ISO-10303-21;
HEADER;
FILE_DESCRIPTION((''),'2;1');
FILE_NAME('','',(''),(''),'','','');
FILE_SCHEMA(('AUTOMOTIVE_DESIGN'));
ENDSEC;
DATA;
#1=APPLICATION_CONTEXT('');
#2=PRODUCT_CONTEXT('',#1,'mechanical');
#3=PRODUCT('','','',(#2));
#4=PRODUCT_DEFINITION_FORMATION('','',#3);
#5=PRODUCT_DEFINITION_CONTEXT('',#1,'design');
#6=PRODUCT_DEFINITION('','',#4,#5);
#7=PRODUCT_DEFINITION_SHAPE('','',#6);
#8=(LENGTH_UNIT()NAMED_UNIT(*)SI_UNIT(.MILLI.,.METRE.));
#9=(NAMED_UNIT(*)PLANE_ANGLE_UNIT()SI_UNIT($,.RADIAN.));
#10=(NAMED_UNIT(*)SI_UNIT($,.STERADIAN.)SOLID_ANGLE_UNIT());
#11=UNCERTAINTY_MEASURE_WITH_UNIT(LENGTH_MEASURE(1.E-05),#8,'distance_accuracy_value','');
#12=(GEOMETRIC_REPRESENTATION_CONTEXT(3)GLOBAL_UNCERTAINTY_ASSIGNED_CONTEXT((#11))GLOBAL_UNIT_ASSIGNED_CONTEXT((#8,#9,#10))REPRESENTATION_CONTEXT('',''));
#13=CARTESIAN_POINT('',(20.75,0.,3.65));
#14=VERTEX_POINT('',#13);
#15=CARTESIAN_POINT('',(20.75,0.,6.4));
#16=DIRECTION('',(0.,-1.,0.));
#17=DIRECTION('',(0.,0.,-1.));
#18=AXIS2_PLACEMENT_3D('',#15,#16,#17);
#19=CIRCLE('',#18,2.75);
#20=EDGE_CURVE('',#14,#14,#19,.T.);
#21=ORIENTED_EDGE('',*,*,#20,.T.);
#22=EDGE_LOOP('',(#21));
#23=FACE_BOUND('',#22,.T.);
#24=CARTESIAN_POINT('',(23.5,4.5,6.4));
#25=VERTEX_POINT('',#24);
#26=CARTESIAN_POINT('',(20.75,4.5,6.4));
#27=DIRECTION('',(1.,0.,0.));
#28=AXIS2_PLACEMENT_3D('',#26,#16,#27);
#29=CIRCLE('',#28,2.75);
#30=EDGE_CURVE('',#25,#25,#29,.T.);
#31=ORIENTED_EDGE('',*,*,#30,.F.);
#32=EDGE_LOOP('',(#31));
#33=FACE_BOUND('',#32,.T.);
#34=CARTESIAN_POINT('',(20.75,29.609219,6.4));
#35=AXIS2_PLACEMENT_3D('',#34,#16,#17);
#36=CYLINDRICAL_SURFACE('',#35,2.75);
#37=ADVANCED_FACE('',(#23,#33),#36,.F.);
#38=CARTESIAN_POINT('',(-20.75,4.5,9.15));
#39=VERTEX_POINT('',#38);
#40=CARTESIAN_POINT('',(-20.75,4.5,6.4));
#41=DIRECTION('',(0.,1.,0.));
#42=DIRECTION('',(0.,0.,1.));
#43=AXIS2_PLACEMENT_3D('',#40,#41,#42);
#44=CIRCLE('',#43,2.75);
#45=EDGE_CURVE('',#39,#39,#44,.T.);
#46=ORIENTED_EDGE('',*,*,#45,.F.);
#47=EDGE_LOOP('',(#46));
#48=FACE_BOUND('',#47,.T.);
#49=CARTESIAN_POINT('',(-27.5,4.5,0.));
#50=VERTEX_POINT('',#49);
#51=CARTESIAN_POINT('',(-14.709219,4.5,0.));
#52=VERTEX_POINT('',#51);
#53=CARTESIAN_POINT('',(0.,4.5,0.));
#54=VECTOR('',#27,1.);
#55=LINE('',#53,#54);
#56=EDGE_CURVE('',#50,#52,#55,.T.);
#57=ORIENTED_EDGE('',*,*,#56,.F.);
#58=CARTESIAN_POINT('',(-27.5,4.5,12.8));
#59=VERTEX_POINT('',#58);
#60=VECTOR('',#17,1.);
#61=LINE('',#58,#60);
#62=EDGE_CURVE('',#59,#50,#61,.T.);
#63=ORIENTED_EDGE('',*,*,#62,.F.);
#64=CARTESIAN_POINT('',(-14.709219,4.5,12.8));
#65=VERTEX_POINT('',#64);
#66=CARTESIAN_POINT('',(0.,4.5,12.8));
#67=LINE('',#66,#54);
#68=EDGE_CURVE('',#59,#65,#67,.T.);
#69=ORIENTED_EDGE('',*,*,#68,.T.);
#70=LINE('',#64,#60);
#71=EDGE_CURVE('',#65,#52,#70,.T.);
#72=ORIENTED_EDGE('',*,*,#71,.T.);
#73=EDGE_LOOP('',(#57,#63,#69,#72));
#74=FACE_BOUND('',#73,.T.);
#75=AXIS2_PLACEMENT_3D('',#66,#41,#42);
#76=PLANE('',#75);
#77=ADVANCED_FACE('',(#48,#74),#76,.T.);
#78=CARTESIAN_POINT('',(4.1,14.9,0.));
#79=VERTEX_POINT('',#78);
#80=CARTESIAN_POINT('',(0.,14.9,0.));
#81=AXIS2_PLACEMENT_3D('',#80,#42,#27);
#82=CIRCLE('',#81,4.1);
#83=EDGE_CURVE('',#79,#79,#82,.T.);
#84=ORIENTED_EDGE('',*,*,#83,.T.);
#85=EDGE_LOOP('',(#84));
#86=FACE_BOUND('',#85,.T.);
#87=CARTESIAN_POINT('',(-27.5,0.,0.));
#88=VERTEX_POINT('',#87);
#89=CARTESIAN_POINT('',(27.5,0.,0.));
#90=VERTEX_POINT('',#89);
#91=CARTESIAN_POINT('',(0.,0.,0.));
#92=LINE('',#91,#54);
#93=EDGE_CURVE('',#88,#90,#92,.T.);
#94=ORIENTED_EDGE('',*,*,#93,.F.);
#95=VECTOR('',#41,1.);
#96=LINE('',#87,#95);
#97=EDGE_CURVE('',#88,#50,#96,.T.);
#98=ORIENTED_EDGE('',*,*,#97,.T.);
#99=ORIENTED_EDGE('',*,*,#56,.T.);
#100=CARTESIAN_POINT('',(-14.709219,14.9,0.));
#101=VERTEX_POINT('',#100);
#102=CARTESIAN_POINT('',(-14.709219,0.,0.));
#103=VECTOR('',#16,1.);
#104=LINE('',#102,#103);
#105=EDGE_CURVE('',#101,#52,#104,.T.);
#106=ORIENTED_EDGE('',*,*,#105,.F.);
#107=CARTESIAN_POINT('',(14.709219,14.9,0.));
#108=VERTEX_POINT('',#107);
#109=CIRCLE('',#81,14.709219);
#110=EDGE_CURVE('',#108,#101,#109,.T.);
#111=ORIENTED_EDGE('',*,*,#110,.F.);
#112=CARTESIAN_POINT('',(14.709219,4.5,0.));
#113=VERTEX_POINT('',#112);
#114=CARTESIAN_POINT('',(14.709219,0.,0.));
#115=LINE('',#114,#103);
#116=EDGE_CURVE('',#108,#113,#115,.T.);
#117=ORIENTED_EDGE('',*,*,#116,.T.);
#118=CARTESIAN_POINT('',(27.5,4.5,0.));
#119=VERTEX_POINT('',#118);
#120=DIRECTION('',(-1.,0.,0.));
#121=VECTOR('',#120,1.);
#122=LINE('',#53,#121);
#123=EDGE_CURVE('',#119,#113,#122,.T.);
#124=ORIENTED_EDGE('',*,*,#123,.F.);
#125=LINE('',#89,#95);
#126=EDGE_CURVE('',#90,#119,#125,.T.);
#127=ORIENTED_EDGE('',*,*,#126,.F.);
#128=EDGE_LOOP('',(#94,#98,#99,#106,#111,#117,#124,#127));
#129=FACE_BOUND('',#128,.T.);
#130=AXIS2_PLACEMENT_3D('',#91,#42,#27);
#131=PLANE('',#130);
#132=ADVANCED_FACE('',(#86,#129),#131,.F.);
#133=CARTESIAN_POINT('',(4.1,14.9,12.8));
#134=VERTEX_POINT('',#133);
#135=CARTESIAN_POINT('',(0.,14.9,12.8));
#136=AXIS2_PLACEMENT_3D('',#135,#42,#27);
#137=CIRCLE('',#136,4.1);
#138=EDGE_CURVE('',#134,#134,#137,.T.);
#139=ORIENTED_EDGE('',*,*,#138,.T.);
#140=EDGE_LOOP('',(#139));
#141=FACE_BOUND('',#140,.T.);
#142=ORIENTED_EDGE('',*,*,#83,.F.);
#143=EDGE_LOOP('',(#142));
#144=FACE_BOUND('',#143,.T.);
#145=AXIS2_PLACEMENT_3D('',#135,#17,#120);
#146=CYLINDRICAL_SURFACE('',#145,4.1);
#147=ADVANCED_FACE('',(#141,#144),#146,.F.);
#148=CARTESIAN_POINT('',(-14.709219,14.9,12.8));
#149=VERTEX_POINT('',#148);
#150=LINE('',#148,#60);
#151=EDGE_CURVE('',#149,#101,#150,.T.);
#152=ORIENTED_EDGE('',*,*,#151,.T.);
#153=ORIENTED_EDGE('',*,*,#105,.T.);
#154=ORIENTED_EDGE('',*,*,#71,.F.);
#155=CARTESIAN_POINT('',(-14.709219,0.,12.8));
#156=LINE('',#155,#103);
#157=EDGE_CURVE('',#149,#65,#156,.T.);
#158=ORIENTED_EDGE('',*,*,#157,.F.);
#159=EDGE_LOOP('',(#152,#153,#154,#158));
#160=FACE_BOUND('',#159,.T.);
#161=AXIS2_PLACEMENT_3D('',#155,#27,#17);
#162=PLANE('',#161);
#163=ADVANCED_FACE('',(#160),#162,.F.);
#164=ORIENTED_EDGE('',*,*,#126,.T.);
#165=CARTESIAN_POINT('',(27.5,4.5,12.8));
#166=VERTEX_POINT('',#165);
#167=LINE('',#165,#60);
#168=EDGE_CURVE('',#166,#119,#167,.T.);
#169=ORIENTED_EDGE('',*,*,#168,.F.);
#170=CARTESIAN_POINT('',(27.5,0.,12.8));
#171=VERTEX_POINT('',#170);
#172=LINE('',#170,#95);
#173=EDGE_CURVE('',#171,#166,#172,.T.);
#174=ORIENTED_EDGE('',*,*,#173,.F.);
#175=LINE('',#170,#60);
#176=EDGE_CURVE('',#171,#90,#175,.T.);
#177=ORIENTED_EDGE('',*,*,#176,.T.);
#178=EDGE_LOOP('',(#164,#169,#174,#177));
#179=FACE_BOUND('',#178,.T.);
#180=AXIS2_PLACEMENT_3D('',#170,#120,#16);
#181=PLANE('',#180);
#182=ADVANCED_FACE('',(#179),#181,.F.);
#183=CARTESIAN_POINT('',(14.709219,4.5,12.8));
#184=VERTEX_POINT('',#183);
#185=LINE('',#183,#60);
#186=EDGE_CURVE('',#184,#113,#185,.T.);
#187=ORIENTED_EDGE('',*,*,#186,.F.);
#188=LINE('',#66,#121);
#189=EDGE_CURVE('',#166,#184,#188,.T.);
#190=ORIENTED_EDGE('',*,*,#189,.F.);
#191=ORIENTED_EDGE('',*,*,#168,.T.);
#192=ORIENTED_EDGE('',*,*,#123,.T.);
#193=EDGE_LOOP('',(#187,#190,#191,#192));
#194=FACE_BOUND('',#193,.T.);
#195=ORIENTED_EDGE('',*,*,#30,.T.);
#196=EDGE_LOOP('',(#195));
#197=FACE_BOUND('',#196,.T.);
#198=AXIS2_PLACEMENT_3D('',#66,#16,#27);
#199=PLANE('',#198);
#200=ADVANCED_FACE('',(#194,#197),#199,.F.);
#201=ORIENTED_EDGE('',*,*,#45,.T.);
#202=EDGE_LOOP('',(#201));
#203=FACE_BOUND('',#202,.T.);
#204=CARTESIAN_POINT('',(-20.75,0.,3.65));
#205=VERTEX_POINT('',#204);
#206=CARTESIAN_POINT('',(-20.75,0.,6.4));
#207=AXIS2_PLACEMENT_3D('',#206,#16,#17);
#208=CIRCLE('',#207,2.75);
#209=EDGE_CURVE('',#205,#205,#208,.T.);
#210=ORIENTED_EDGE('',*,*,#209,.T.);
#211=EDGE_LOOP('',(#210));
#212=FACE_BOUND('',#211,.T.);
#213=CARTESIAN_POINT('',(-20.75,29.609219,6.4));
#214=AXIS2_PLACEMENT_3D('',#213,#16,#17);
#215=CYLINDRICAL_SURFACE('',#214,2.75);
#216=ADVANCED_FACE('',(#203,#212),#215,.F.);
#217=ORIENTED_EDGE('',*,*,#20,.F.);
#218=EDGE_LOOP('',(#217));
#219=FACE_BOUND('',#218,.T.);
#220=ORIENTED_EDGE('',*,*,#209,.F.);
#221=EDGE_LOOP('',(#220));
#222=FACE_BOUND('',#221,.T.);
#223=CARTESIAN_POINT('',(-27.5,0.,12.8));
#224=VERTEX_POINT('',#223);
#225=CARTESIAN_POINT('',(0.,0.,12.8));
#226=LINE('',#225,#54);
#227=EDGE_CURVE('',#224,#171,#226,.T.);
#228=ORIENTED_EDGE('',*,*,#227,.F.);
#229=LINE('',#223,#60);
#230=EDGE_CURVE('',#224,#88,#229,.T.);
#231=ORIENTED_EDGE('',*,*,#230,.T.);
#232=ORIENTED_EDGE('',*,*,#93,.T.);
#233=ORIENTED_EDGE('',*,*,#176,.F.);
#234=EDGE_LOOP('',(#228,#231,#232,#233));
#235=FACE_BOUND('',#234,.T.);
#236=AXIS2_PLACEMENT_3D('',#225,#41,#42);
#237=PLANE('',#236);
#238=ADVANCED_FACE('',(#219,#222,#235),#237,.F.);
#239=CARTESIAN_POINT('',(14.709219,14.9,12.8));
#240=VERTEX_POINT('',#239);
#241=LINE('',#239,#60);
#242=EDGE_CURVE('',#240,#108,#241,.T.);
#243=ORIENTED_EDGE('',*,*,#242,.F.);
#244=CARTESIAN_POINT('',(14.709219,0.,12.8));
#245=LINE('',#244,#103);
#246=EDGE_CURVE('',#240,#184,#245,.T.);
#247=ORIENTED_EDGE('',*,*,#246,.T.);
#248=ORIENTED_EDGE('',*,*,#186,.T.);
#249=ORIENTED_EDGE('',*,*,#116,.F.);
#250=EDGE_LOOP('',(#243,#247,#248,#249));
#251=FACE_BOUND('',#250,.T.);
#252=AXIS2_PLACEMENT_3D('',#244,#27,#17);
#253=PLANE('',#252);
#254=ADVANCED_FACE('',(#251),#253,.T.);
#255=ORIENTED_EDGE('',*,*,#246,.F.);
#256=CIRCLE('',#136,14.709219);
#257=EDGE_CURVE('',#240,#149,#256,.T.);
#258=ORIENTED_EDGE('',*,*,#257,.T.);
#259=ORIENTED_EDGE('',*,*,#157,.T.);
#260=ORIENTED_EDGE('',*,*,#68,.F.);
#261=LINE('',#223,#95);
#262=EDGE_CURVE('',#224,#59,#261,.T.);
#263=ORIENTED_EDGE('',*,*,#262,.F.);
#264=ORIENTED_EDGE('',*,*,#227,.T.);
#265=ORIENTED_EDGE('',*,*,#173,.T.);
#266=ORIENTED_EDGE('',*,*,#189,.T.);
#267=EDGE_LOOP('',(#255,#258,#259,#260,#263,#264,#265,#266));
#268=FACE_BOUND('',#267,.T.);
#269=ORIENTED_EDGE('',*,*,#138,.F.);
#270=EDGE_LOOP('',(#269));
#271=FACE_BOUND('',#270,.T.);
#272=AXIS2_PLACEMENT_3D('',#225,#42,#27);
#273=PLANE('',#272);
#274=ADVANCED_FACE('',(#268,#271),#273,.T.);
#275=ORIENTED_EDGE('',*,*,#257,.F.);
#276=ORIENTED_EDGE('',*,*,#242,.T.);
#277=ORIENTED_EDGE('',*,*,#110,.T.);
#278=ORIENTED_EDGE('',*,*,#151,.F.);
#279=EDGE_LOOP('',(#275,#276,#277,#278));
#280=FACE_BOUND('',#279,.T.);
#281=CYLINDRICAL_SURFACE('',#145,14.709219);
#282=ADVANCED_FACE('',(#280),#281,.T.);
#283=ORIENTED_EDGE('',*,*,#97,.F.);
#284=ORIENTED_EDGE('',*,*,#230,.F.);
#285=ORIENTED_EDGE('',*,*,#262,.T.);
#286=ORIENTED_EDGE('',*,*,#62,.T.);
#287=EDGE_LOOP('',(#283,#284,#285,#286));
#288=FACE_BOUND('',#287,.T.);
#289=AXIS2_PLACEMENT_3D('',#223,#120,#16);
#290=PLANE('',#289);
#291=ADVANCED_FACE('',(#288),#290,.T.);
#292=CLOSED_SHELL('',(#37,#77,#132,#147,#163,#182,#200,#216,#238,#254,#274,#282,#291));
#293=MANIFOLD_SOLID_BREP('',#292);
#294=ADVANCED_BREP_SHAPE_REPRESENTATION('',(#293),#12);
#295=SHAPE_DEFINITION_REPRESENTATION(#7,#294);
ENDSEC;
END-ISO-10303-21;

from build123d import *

# Parameters (mm, degrees)
SKETCH1_R           = 4.1
BOSS_EXTRUDE1_DEPTH = 12.8
SKETCH2_R           = 2.75
CUT_EXTRUDE1_DEPTH  = 30.609218923


with BuildPart() as part:
    # Sketch1 → Boss-Extrude1 (new body)
    with BuildSketch(Plane.XY):
        with BuildLine():
            Line((-27.5, 4.5), (-27.5, 0))
            Line((-27.5, 0), (27.5, 0))
            Line((27.5, 0), (27.5, 4.5))
            Line((27.5, 4.5), (14.709218923, 4.5))
            Line((14.709218923, 4.5), (14.709218923, 14.9))
            ThreePointArc((14.709218923, 14.9), (0, 29.609218923), (-14.709218923, 14.9))
            Line((-14.709218923, 14.9), (-14.709218923, 4.5))
            Line((-14.709218923, 4.5), (-27.5, 4.5))
        make_face()
        with Locations((0, 14.9)):
            Circle(SKETCH1_R, mode=Mode.SUBTRACT)
    extrude(amount=BOSS_EXTRUDE1_DEPTH)

    # Sketch2 → Cut-Extrude1 (cut, through all)
    with BuildSketch(Plane.XZ):
        with Locations((-20.75, 6.4)):
            Circle(SKETCH2_R)
        with Locations((20.75, 6.4)):
            Circle(SKETCH2_R)
    extrude(amount=-CUT_EXTRUDE1_DEPTH, mode=Mode.SUBTRACT)


solid = part.part
